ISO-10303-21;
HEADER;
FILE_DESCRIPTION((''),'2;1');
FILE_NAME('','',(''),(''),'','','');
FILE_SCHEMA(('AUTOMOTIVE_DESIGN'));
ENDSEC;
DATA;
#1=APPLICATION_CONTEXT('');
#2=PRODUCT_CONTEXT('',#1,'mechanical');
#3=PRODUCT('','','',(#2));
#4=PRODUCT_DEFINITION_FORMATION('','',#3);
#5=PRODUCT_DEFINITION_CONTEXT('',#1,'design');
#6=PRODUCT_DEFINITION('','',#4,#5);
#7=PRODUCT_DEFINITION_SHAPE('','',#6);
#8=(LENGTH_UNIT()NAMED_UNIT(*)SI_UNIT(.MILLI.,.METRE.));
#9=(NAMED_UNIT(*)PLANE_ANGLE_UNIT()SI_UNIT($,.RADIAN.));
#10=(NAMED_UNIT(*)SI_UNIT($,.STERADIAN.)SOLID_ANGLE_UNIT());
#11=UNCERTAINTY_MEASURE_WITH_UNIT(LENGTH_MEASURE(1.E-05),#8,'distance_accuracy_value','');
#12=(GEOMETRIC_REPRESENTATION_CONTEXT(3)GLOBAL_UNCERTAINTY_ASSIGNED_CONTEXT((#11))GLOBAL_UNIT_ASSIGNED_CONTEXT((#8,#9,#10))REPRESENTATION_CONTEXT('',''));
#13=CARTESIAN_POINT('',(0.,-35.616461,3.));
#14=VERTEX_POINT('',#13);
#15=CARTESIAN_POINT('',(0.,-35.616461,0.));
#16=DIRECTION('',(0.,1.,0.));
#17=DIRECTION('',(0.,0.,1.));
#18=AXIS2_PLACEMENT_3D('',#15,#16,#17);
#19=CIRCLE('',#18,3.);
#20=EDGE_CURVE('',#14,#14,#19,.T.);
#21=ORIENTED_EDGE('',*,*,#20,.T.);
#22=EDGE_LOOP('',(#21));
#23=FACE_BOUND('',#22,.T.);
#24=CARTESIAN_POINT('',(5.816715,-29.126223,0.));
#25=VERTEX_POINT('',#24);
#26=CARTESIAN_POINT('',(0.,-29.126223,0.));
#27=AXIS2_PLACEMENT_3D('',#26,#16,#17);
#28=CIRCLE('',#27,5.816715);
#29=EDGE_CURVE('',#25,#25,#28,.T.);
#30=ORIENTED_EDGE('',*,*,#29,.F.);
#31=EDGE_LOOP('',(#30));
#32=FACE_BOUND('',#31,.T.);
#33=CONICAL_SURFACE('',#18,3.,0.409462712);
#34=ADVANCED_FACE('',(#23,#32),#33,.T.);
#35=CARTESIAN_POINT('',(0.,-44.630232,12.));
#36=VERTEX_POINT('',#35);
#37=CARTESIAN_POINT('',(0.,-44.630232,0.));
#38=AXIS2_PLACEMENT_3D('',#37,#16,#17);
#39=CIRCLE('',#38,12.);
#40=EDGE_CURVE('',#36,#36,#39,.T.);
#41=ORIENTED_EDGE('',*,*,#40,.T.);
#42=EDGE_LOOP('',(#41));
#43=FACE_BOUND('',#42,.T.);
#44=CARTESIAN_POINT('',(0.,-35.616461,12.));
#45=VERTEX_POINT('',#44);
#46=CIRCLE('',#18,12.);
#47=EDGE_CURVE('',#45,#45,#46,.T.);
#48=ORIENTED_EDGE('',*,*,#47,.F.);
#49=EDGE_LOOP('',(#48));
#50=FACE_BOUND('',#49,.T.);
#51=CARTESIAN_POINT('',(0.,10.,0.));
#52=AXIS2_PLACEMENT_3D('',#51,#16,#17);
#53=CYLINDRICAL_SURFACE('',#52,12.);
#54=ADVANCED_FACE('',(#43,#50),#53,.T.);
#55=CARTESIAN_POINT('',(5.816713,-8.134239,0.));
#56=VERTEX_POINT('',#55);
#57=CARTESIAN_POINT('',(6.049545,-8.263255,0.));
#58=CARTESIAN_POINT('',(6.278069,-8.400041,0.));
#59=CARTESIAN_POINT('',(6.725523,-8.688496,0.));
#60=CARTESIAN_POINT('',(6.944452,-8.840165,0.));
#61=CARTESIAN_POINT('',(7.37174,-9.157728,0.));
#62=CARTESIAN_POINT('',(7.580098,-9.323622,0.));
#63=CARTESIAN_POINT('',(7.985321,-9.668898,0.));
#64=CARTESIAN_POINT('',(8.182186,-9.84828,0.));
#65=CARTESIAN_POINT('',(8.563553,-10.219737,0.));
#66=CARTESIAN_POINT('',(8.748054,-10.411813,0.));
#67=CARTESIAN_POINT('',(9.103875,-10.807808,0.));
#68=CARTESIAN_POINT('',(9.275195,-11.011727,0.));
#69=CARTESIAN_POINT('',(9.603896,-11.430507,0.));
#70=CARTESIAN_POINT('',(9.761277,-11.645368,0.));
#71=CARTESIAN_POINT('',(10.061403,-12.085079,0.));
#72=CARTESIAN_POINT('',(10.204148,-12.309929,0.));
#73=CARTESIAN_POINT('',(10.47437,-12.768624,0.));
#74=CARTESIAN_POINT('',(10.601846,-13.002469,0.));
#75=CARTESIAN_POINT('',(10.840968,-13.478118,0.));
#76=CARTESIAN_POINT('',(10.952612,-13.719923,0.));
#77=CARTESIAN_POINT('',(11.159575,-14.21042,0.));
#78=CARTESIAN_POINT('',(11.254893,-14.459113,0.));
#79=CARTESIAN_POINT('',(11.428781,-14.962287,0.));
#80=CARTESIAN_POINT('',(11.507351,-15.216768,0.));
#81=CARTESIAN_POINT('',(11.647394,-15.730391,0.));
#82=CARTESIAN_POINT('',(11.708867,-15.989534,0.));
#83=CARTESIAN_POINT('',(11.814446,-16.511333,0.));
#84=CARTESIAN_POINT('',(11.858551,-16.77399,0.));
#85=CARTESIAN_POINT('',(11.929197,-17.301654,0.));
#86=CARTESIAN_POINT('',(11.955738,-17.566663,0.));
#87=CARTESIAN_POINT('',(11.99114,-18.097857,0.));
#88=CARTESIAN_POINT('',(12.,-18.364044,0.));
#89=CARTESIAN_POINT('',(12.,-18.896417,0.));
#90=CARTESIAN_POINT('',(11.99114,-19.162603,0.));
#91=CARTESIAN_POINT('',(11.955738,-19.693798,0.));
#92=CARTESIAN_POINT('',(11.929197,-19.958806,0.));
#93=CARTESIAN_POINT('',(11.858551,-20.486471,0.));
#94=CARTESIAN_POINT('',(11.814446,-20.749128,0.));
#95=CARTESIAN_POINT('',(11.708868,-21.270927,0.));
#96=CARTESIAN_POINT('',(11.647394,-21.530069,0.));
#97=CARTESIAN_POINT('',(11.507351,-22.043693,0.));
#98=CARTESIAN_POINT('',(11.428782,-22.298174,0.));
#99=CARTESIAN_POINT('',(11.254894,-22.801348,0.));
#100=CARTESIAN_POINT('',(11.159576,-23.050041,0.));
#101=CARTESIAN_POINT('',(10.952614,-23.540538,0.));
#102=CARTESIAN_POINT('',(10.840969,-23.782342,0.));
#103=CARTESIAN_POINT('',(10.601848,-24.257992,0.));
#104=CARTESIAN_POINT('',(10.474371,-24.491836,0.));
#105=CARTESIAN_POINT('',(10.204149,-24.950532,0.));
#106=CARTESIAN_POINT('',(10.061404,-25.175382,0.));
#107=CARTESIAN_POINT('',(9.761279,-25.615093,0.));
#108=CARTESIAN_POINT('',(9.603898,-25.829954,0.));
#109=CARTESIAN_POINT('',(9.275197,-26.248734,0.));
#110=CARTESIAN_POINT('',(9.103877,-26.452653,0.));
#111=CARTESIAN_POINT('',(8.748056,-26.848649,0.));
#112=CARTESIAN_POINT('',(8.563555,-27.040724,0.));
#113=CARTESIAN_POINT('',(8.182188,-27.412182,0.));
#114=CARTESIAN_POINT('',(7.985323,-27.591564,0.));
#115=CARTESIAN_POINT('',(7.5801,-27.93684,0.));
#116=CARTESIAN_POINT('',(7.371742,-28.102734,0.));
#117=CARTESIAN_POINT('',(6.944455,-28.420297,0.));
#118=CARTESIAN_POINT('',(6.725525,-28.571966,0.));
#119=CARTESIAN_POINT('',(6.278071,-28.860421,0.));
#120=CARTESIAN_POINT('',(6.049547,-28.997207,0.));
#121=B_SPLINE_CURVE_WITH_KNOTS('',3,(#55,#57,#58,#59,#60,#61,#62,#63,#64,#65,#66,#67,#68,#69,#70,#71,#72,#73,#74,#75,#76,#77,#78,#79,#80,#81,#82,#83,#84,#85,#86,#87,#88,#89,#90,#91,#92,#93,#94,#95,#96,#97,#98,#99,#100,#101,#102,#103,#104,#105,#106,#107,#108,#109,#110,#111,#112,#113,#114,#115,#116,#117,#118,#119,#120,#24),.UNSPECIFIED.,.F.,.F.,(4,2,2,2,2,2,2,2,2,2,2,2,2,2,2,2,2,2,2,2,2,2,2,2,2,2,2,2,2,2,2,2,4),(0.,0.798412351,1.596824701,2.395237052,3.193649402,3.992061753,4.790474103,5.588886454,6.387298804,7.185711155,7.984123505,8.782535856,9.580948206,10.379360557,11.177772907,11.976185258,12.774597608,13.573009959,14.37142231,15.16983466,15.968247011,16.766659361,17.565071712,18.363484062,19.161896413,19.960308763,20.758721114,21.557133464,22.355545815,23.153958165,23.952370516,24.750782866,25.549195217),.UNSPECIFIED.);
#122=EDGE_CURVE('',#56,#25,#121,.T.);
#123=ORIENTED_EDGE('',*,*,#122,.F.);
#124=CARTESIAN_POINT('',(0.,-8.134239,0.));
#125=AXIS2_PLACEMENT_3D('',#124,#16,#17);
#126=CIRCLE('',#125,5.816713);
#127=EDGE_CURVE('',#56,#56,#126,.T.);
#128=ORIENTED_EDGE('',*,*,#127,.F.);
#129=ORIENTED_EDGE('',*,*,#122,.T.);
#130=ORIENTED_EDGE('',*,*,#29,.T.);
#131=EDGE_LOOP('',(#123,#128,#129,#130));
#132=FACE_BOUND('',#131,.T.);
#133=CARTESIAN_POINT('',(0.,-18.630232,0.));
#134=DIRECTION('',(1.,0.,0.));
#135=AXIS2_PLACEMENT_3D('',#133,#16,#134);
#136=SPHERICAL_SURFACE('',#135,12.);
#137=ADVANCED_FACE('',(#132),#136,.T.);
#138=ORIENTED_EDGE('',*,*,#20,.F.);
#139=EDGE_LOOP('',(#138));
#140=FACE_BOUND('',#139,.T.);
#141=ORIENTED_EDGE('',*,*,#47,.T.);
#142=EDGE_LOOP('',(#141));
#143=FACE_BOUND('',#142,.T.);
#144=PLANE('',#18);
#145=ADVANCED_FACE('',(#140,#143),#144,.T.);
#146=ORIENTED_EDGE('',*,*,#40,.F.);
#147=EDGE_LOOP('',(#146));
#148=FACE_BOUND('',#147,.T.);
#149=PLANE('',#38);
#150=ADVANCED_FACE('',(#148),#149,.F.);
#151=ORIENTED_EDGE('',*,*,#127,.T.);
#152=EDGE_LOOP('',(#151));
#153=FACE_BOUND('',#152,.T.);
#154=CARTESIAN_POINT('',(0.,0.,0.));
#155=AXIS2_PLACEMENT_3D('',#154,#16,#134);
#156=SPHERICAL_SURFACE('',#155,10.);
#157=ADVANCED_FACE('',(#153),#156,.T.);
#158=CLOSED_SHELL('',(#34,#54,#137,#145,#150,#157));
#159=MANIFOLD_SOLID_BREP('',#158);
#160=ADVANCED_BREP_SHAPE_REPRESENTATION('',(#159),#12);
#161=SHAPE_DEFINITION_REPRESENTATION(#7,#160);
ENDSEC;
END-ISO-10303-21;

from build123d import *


with BuildPart() as part:
    # Sketch1 → Revolve7 (revolve)
    with BuildSketch(Plane.XY):
        with BuildLine():
            ThreePointArc((5.816712821, -8.134239482), (9.52214248, 3.054308856), (0, 10))
            Line((0, 10), (0, -44.630231668))
            Line((0, -44.630231668), (12, -44.630231668))
            Line((12, -44.630231668), (12, -35.616460888))
            Line((12, -35.616460888), (3, -35.616460888))
            Line((3, -35.616460888), (5.816715231, -29.126222518))
            ThreePointArc((5.816715231, -29.126222518), (12, -18.63023029), (5.816712821, -8.134239482))
        make_face()
    revolve(axis=Axis((0, 10, 0), (0, -1, 0)))


solid = part.part
